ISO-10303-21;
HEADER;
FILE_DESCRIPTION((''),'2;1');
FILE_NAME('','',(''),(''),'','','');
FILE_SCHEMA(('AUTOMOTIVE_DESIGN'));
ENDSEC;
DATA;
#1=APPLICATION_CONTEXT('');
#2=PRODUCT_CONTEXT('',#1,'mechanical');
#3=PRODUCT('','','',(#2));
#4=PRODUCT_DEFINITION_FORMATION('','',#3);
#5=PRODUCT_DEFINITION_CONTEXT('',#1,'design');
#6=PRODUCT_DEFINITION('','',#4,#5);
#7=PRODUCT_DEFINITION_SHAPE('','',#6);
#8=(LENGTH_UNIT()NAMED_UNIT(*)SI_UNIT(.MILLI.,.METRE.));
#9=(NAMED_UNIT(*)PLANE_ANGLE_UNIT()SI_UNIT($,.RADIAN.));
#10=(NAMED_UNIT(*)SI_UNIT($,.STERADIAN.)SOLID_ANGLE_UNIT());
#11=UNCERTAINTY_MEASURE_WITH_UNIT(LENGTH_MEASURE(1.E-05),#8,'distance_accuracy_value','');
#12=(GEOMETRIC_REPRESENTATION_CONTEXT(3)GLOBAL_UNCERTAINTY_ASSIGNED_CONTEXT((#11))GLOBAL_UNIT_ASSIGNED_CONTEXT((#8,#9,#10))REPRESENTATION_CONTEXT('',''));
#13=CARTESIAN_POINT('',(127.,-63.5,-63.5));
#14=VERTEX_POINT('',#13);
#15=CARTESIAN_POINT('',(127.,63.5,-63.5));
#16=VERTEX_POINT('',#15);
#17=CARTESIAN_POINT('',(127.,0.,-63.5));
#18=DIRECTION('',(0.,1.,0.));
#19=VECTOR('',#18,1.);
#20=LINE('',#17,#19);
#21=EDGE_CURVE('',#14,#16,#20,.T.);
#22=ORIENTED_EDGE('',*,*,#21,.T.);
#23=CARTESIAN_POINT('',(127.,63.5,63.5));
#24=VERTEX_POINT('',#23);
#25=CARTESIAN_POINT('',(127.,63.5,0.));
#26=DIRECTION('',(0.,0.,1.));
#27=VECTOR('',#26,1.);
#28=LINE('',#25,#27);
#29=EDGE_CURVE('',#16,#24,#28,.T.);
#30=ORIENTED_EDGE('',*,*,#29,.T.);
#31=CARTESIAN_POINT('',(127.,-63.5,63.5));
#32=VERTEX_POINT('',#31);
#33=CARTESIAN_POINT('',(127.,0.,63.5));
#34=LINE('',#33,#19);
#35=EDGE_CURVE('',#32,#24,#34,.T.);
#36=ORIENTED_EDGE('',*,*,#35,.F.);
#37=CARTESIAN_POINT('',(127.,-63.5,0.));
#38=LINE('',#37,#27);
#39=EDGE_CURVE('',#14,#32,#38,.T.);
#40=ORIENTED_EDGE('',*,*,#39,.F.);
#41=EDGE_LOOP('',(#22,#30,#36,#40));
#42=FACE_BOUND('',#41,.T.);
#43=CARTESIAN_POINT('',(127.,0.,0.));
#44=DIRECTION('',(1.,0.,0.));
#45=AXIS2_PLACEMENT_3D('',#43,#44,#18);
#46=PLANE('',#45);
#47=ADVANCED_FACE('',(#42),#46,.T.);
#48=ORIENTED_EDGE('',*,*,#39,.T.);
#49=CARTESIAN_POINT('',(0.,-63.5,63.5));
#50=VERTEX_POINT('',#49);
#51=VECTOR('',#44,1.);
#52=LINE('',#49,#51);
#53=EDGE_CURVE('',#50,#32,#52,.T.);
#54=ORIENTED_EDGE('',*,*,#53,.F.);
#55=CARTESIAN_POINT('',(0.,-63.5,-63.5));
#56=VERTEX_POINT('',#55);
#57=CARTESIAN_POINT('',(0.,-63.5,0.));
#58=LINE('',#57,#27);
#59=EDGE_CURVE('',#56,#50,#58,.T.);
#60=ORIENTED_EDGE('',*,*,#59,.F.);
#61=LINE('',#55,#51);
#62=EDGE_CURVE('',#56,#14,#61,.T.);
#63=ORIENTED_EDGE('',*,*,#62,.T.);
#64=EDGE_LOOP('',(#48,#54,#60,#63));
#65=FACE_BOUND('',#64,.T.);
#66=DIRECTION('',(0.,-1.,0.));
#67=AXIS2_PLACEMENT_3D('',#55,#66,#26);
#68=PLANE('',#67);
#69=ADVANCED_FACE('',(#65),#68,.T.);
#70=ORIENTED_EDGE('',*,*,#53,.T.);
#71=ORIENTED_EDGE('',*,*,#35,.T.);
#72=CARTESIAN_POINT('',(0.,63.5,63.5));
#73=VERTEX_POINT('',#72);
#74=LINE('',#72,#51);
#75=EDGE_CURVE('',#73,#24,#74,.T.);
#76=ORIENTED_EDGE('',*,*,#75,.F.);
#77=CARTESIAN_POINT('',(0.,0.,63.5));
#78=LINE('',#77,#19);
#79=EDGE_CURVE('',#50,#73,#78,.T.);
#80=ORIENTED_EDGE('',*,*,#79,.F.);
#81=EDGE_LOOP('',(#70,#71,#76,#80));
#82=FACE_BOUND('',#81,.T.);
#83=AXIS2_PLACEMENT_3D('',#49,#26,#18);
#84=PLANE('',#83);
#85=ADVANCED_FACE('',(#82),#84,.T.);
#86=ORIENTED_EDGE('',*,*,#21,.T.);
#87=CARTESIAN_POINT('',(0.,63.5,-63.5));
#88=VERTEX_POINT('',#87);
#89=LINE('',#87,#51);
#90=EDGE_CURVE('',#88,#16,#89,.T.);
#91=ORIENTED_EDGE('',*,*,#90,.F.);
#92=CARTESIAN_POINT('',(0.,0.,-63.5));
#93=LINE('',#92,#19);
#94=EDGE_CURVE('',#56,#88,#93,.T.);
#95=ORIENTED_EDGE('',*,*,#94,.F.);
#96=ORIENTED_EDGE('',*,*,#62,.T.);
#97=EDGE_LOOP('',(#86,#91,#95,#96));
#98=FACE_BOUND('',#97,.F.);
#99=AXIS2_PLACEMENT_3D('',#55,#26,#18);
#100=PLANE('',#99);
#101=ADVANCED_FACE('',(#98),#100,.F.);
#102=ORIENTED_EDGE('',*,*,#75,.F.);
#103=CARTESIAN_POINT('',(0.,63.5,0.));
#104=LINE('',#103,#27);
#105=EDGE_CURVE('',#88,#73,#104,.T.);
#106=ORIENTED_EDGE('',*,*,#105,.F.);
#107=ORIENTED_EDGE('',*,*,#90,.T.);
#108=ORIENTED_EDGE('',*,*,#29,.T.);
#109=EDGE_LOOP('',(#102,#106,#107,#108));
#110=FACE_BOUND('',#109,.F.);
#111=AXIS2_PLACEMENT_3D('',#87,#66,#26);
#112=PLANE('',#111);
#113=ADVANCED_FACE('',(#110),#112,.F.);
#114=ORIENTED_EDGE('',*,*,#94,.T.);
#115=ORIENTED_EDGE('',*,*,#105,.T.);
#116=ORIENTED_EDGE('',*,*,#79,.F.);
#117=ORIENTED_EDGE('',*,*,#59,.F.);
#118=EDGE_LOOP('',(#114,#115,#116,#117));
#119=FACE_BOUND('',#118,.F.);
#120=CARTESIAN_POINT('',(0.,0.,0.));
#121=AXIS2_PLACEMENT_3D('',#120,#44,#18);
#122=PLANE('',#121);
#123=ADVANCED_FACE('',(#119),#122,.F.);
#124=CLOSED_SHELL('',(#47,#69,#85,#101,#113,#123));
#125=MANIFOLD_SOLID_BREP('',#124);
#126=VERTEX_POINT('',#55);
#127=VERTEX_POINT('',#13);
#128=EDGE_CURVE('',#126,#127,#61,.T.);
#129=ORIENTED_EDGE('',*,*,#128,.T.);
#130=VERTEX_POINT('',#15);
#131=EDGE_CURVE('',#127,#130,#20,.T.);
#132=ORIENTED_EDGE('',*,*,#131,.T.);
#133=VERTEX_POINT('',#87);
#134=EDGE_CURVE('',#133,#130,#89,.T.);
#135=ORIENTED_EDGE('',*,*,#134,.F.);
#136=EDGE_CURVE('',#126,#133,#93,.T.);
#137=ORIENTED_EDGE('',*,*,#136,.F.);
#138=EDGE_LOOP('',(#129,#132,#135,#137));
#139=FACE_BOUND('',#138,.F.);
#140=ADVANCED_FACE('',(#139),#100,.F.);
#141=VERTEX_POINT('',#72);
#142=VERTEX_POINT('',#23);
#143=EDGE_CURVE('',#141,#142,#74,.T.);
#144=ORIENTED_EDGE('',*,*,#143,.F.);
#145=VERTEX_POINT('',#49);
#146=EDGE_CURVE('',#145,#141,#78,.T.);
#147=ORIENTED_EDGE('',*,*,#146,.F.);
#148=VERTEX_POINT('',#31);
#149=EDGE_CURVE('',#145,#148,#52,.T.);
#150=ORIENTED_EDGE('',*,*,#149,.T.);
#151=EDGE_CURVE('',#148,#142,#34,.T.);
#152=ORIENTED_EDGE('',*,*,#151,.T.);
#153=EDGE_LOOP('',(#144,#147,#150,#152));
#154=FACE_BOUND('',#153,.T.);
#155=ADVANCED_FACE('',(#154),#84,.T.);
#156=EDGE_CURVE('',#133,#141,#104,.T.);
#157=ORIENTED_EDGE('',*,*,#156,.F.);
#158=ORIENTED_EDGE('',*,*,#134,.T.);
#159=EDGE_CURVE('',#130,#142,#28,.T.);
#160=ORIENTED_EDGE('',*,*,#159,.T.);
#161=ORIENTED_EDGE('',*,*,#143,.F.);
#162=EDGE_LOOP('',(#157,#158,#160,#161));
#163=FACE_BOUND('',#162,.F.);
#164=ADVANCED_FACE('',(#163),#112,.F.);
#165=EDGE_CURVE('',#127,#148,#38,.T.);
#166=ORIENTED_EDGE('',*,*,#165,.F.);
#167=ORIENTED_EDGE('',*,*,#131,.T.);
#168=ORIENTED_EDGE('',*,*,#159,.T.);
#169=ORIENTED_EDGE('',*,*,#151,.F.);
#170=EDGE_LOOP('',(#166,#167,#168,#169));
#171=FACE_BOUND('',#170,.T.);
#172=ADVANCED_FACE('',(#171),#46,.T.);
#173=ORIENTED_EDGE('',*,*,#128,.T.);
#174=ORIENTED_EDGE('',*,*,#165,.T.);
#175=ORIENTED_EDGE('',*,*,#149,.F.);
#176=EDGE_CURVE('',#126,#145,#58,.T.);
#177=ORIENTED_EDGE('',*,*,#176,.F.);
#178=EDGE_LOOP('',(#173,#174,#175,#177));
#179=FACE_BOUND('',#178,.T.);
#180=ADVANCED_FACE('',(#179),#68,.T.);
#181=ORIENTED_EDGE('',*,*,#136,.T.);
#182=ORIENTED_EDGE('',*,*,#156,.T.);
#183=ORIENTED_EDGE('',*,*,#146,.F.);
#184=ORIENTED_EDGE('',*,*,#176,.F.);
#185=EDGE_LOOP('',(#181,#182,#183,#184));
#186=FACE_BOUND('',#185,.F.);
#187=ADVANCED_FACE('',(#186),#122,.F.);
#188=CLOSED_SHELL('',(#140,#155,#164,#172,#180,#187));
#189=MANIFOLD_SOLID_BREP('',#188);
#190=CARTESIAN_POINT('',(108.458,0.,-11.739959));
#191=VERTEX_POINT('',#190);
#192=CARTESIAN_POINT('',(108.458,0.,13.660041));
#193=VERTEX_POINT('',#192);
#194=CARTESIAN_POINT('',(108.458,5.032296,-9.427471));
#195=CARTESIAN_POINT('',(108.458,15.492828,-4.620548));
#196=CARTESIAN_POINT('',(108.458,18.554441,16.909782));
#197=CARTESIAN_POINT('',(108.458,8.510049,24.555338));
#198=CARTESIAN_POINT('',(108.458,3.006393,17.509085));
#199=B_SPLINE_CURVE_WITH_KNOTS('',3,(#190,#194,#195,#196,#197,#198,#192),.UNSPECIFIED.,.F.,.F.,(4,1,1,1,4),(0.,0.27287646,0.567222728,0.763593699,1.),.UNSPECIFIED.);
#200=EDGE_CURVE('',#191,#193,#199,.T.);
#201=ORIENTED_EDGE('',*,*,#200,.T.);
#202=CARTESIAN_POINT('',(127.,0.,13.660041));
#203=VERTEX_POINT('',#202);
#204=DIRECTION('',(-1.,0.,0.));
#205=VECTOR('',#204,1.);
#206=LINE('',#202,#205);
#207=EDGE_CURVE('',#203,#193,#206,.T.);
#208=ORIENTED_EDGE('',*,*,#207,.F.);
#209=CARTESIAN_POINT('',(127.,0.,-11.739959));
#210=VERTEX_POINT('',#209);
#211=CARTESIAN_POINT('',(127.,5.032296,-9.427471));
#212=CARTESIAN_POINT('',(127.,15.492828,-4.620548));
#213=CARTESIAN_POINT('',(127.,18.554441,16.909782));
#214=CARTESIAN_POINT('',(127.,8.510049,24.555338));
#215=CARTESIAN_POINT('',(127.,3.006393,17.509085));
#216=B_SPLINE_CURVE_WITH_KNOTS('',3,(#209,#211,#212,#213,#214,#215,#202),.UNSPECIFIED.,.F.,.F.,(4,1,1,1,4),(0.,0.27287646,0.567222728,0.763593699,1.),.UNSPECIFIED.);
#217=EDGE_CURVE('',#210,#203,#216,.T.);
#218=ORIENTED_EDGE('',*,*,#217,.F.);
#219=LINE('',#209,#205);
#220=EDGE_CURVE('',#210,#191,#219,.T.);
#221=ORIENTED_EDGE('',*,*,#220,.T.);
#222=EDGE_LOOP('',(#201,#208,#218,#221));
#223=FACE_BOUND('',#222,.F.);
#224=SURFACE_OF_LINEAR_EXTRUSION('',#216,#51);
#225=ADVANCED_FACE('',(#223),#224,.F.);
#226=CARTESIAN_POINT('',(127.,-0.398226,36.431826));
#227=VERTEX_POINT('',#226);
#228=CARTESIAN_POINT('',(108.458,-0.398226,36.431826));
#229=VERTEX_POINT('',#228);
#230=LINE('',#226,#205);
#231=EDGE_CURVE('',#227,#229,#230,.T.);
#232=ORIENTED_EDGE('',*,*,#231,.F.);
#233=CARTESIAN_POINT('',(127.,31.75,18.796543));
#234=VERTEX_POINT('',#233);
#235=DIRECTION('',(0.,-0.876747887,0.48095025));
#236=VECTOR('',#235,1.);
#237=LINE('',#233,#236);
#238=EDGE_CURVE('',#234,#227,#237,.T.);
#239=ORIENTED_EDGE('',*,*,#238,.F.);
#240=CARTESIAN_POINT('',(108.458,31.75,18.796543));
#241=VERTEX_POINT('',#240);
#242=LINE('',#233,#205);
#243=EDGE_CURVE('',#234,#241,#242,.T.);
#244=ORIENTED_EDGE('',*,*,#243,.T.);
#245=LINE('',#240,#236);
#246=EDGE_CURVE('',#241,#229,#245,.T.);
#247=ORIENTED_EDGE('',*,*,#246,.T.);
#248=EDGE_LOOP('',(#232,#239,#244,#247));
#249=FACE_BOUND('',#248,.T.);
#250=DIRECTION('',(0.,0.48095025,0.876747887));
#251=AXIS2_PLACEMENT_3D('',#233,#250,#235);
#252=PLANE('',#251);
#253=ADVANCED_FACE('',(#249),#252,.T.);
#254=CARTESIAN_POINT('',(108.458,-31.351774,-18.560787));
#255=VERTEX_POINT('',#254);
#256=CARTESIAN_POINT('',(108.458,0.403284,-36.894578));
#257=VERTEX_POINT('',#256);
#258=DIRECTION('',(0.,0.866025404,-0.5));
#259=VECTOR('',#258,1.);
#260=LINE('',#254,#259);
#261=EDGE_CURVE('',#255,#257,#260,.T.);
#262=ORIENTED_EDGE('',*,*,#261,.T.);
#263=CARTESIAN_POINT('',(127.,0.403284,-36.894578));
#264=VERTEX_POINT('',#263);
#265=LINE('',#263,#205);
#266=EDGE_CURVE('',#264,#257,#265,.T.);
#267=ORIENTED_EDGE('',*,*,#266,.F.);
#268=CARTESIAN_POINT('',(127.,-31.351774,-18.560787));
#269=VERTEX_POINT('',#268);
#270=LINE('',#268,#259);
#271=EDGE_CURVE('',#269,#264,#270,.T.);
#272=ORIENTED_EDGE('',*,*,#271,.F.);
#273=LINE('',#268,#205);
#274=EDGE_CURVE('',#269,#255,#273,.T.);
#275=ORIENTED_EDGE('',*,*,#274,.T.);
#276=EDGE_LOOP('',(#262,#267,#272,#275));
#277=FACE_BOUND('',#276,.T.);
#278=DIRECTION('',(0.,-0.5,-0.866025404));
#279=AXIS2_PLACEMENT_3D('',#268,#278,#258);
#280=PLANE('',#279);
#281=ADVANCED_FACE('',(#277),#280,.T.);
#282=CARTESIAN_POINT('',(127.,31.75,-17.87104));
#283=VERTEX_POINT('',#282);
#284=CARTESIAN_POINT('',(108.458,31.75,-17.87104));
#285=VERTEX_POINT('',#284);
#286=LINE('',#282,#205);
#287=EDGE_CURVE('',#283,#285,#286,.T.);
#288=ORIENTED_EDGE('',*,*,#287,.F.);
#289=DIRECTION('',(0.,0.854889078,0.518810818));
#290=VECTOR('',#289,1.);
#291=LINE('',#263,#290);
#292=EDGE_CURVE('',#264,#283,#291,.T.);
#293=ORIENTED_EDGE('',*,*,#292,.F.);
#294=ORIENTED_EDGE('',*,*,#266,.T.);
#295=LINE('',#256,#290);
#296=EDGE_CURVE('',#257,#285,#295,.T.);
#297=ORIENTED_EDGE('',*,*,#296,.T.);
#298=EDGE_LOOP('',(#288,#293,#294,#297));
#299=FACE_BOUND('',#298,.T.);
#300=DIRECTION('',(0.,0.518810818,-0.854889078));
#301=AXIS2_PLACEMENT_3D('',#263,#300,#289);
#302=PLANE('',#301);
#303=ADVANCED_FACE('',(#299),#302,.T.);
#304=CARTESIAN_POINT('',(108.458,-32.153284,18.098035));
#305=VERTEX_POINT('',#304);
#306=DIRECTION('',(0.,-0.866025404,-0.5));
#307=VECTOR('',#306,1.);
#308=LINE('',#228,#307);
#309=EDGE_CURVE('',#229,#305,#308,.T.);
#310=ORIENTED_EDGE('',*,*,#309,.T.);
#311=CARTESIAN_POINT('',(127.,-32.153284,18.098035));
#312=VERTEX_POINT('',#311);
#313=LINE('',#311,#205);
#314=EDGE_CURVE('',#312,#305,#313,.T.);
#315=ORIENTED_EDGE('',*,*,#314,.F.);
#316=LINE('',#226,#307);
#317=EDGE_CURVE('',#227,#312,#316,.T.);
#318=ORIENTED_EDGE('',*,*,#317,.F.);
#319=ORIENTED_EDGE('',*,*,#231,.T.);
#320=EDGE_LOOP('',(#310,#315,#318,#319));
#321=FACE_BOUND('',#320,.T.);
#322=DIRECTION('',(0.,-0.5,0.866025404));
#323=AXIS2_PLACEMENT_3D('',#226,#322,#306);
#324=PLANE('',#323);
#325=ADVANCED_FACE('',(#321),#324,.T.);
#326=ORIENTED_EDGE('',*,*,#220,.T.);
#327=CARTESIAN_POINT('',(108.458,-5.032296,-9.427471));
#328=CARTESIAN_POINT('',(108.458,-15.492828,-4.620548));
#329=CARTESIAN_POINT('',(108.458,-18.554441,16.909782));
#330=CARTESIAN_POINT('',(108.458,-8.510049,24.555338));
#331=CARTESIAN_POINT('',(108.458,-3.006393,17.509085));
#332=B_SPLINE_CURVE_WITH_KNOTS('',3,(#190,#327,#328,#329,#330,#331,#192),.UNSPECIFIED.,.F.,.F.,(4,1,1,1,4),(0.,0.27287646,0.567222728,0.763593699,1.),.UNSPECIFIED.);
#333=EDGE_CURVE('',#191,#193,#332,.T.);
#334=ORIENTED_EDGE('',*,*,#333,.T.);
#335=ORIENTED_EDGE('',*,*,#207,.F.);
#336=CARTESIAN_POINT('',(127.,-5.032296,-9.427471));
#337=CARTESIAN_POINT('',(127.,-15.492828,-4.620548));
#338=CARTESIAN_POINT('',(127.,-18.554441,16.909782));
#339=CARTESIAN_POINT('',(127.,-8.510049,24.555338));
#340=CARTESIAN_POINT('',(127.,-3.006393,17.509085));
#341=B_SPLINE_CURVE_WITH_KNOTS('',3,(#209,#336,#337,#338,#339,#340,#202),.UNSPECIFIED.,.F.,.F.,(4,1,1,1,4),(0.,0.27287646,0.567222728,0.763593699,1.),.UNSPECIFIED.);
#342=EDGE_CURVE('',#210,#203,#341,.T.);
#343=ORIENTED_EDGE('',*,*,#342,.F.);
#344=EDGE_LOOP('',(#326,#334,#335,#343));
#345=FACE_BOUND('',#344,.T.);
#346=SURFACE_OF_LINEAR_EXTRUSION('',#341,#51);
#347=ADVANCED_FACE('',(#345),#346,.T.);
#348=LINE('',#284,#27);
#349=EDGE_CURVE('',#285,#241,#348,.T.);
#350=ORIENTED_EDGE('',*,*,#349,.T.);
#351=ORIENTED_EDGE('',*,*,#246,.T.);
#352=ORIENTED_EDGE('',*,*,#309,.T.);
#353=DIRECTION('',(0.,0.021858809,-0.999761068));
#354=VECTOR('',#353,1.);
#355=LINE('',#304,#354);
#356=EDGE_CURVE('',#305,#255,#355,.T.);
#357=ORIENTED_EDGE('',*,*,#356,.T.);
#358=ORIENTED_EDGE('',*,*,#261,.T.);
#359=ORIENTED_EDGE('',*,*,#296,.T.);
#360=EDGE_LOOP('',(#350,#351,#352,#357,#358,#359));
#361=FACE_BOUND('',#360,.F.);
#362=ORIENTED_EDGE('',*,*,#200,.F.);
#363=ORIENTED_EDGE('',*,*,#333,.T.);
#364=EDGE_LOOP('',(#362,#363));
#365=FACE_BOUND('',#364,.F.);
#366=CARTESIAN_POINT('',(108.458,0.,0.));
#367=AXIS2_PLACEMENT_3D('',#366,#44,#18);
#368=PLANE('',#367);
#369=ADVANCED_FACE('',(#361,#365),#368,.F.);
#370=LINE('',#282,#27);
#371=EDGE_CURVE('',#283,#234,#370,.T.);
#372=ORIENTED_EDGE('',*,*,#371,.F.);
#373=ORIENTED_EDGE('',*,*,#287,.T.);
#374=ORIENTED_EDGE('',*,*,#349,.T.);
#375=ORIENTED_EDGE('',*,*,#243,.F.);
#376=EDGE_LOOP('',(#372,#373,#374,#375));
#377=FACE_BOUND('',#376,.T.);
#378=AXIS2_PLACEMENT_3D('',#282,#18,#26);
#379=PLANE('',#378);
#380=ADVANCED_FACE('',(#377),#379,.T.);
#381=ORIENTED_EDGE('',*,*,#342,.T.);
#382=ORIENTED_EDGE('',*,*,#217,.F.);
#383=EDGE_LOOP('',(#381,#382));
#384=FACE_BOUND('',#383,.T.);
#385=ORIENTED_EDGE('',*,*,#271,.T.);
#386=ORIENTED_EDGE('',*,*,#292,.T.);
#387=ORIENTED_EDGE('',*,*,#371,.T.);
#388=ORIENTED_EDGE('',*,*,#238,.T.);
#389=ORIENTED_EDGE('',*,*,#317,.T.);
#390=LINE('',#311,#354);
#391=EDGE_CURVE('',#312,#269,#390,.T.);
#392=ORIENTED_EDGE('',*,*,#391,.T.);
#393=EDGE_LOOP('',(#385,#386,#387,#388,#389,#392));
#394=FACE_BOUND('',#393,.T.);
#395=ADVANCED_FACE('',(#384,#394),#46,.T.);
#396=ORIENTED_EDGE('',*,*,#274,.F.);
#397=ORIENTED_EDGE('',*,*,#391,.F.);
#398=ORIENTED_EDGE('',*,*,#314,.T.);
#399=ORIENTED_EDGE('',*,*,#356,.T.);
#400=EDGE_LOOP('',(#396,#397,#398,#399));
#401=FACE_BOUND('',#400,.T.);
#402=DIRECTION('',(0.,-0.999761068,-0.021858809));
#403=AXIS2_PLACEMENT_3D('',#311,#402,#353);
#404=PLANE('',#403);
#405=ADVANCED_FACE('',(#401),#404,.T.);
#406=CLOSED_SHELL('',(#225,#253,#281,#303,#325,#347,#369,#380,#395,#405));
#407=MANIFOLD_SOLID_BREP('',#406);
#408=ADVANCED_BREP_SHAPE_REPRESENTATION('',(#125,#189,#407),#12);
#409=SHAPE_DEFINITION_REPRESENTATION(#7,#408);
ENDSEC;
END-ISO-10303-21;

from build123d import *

# Parameters (mm, degrees)
F0_W     = 127
F0_H     = 127
F1_DEPTH = 127
F2_DEPTH = 127
F5_DEPTH = 18.542


with BuildPart() as f1:
    # F0 (on Right) → F1 (new body)
    with BuildSketch(Plane.YZ):
        Rectangle(F0_W, F0_H)
    extrude(amount=F1_DEPTH)


with BuildPart() as f2:
    # F0 (on Right) → F2 (new body)
    with BuildSketch(Plane.YZ):
        Rectangle(F0_W, F0_H)
    extrude(amount=F2_DEPTH)


with BuildPart() as f5:
    # F3 (on face) → F5 (new body)
    with BuildSketch(Plane.YZ.offset(127)):
        Polygon((31.75, -17.8710395744), (31.75, 18.7965432325), (-0.3982257365, 36.4318263574), (-32.1532839427, 18.0980349539), (-31.3517742635, -18.5607867829), (0.4032839427, -36.8945781864), align=None)
        with BuildLine():
            add(Edge.make_bspline(
                [(0, -11.739959009), (5.0322962281, -9.4274706057), (15.4928277067, -4.620548151), (18.5544414166, 16.9097815547), (8.5100486097, 24.5553381098), (3.0063934578, 17.5090848074), (0, 13.660040991)],
                knots=[0, 0, 0, 0, 0.2728764595, 0.567222728, 0.7635936985, 1, 1, 1, 1], degree=3))
            add(Edge.make_bspline(
                [(0, -11.739959009), (-5.0322962281, -9.4274706057), (-15.4928277067, -4.620548151), (-18.5544414166, 16.9097815547), (-8.5100486097, 24.5553381098), (-3.0063934578, 17.5090848074), (0, 13.660040991)],
                knots=[0, 0, 0, 0, 0.2728764595, 0.567222728, 0.7635936985, 1, 1, 1, 1], degree=3))
        make_face(mode=Mode.SUBTRACT)
    extrude(amount=-F5_DEPTH)


solid = Compound([f1.part, f2.part, f5.part])
